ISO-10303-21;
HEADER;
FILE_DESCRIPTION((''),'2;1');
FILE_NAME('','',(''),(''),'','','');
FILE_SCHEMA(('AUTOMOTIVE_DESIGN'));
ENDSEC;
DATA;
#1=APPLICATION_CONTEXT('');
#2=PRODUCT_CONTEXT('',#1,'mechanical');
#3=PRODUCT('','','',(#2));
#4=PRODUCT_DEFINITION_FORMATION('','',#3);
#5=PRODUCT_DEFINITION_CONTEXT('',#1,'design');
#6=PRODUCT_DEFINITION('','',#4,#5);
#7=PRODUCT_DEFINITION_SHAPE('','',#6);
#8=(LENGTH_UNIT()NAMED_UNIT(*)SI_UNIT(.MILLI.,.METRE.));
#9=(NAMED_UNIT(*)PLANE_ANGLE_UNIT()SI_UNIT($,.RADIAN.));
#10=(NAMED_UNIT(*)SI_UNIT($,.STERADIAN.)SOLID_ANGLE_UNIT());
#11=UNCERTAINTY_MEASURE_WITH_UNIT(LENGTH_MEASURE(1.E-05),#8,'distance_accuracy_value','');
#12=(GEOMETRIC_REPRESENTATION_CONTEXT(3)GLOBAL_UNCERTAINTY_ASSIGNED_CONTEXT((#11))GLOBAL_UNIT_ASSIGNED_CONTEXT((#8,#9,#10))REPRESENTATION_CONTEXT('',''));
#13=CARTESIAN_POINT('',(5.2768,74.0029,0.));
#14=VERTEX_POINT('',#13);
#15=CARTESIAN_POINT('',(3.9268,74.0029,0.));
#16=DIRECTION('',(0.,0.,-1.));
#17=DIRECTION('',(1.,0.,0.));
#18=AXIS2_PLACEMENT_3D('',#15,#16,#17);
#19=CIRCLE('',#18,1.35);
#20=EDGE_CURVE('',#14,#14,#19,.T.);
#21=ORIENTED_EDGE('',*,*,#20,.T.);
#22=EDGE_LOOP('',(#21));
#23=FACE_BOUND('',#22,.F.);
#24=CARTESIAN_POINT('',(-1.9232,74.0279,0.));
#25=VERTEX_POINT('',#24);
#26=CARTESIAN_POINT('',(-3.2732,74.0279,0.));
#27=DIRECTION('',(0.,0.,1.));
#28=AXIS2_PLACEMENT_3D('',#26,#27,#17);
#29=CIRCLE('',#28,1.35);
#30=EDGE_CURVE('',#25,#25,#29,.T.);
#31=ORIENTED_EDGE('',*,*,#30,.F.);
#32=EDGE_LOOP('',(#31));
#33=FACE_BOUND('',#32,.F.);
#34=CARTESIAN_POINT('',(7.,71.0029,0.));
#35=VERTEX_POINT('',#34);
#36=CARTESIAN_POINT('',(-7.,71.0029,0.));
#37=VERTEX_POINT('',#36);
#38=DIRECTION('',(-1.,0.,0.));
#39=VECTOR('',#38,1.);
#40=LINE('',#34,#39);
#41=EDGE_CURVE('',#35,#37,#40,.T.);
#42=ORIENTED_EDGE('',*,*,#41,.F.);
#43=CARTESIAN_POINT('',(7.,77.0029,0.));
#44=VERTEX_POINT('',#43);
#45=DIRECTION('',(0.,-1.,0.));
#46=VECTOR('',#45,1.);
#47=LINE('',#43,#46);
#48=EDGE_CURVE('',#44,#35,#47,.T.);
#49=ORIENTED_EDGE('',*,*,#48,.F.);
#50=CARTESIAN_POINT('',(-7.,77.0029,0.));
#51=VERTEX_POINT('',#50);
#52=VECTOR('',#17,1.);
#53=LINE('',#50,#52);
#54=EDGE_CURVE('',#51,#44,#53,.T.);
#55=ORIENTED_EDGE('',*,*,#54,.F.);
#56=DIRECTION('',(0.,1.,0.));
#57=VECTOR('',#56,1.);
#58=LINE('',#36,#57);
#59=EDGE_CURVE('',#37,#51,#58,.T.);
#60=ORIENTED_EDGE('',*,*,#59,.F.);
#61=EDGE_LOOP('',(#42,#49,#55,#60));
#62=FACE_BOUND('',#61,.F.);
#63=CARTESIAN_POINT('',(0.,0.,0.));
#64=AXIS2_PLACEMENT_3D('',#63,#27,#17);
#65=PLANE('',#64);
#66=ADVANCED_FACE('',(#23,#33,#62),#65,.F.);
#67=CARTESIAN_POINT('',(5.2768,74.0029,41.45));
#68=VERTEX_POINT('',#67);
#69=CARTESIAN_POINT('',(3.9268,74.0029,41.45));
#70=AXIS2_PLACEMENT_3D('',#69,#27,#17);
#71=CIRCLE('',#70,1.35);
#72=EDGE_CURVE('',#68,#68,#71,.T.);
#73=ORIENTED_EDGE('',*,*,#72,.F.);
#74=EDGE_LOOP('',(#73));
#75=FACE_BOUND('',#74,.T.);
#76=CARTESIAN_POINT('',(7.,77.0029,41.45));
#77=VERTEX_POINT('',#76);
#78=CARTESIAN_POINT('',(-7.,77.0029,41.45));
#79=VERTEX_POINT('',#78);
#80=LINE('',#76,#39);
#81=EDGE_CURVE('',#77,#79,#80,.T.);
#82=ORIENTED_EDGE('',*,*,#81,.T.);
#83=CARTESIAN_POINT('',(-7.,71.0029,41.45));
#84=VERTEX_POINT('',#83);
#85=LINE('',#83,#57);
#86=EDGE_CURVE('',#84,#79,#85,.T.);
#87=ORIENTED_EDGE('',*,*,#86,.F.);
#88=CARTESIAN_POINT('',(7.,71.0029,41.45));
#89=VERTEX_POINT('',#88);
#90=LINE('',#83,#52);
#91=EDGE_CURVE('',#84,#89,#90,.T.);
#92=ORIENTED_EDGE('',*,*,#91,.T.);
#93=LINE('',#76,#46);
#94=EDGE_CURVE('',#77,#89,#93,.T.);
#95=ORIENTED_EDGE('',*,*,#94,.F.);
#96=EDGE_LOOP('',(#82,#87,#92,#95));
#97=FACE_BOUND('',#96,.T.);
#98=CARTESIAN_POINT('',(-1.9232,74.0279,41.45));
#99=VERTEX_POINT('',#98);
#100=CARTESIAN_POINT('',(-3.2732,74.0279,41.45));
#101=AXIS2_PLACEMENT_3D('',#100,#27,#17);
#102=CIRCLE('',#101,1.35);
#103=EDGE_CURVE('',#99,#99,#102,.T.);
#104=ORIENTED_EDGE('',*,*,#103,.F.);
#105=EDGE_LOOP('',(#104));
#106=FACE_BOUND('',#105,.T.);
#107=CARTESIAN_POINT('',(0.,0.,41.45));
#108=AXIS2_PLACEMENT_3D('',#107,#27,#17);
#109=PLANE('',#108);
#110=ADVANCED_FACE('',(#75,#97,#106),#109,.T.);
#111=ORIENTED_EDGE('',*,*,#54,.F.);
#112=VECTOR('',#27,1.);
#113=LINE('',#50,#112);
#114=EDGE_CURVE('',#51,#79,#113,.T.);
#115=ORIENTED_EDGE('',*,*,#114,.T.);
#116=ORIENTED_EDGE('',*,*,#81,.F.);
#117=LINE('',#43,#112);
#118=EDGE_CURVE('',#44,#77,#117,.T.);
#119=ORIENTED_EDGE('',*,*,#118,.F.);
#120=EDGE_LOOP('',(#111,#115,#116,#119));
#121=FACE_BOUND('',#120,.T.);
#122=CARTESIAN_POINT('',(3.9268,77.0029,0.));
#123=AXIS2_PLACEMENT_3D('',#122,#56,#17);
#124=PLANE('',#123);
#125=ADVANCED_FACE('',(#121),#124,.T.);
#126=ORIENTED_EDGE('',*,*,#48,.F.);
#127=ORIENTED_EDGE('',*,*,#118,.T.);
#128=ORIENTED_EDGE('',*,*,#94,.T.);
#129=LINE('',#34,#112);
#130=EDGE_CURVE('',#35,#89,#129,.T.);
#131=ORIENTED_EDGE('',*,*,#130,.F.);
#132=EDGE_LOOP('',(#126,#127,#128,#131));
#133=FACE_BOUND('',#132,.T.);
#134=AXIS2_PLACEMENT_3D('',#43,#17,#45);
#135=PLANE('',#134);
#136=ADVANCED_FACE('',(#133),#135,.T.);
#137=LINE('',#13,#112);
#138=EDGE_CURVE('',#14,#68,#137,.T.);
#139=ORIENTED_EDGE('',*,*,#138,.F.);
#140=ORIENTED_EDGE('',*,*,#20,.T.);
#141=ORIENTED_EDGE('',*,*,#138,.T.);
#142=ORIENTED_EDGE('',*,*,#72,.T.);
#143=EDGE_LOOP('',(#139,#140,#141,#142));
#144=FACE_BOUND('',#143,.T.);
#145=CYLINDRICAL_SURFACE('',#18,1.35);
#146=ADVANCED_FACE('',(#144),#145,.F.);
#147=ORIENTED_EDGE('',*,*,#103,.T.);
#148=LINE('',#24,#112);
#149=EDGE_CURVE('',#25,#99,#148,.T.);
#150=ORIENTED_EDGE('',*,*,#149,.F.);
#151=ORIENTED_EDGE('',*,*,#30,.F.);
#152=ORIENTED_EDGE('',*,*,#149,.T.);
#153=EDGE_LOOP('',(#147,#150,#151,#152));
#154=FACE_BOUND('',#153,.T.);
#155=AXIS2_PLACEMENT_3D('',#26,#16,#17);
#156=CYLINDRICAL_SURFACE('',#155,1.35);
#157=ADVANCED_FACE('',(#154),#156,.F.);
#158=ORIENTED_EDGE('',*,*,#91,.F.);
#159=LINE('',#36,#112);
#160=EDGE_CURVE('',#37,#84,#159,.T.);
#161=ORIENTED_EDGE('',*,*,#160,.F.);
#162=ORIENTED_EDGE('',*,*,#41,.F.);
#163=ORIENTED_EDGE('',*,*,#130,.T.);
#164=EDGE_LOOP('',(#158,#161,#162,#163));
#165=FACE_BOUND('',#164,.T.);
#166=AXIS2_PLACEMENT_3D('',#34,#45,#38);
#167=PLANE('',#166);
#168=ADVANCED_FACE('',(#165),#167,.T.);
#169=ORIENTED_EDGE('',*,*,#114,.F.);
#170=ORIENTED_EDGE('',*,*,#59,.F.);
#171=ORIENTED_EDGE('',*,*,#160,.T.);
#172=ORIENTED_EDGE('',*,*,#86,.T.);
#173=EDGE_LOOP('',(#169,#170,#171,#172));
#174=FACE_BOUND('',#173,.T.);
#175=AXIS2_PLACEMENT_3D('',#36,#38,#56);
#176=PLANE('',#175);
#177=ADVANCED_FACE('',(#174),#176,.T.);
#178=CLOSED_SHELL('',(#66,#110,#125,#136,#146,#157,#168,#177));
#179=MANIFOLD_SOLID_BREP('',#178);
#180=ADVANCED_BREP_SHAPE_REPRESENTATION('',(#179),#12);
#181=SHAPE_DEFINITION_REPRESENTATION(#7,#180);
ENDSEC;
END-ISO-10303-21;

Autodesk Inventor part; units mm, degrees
ref_plane "YZ Plane" through (0, 0, 0) normal (1, 0, 0) x (0, 1, 0)
ref_plane "XZ Plane" through (0, 0, 0) normal (0, 1, 0) x (-1, 0, 0)
ref_plane "작업 평면1" through (0, 0, 0) normal (0, 0, 1) x (1, 0, 0)
sketch "스케치1" plane through (0, 0, 0) normal (0, 0, 1) x (1, 0, 0)
  line L0 (-10.4523, 80.0529) -> (11.1476, 79.9778) projected
  line L1 (-10.7999, -19.9465) -> (-10.4523, 80.0529) projected
  arc A0 (-10.7999, -19.9465) -> (-4.0349, -30.002) centre (0, -19.984) ccw projected
  line L2 (-4, -19.9701) -> (-4.0349, -30.002) projected
  arc A1 (4, -19.9979) -> (-4, -19.9701) centre (0, -19.984) ccw projected
  line L3 (3.9651, -30.0298) -> (4, -19.9979) projected
  arc A2 (3.9651, -30.0298) -> (10.7999, -20.0216) centre (0, -19.984) ccw projected
  line L4 (11.1476, 79.9778) -> (10.7999, -20.0216) projected
  circle A3 centre (-8, -19.9562) radius 1.05 projected
  circle A4 centre (-5.6372, -14.3075) radius 1.05 projected
  circle A5 centre (0.0278, -11.9841) radius 1.05 projected
  circle A6 centre (5.6765, -14.3469) radius 1.05 projected
  circle A7 centre (-3.2732, 74.0279) radius 1.35 projected
  circle A8 centre (3.9268, 74.0029) radius 1.35 projected
  circle A9 centre (5.6372, -25.6605) radius 1.05 projected
  circle A10 centre (-5.6765, -25.6212) radius 1.05 projected
  circle A11 centre (8, -20.0118) radius 1.05 projected
  line L5 (3.9268, 74.0029) -> (3.9268, 77.0029)
  line L6 (3.9268, 74.0029) -> (6.9268, 74.0029) construction
  line L7 (3.9268, 74.0029) -> (3.9268, 71.0029)
  line L8 (3.9268, 74.0029) -> (6.9268, 74.0029) construction
  line L9 (3.9268, 74.0029) -> (0, 74.0029)
  line L10 (-7, 77.0029) -> (7, 77.0029)
  line L11 (7, 77.0029) -> (7, 71.0029)
  line L12 (7, 71.0029) -> (-7, 71.0029)
  line L13 (-7, 71.0029) -> (-7, 77.0029)
  line L14 (-7, 77.0029) -> (7, 71.0029) construction
  line L15 (7, 77.0029) -> (-7, 71.0029) construction
  point P0 (0, 0)
  dimension "d0" = 3
  dimension "d1" = 90
  dimension "d2" = 3
  dimension "d3" = 90
  dimension "d4" = 14
ref_plane "작업 평면2" through (-10.8348, -30.0535, 41.45) normal (0, 0, -1) x (0.0035, 1, 0)
extrude "돌출1" add sketch "스케치1" along normal up to surface (41.45 mm away) contours A8 L5 L10 L11 L12 L7 | A8 L7 L12 L13 L10 L5
properties part number "_fist_ver2_" material "PMMA 플라스틱"
